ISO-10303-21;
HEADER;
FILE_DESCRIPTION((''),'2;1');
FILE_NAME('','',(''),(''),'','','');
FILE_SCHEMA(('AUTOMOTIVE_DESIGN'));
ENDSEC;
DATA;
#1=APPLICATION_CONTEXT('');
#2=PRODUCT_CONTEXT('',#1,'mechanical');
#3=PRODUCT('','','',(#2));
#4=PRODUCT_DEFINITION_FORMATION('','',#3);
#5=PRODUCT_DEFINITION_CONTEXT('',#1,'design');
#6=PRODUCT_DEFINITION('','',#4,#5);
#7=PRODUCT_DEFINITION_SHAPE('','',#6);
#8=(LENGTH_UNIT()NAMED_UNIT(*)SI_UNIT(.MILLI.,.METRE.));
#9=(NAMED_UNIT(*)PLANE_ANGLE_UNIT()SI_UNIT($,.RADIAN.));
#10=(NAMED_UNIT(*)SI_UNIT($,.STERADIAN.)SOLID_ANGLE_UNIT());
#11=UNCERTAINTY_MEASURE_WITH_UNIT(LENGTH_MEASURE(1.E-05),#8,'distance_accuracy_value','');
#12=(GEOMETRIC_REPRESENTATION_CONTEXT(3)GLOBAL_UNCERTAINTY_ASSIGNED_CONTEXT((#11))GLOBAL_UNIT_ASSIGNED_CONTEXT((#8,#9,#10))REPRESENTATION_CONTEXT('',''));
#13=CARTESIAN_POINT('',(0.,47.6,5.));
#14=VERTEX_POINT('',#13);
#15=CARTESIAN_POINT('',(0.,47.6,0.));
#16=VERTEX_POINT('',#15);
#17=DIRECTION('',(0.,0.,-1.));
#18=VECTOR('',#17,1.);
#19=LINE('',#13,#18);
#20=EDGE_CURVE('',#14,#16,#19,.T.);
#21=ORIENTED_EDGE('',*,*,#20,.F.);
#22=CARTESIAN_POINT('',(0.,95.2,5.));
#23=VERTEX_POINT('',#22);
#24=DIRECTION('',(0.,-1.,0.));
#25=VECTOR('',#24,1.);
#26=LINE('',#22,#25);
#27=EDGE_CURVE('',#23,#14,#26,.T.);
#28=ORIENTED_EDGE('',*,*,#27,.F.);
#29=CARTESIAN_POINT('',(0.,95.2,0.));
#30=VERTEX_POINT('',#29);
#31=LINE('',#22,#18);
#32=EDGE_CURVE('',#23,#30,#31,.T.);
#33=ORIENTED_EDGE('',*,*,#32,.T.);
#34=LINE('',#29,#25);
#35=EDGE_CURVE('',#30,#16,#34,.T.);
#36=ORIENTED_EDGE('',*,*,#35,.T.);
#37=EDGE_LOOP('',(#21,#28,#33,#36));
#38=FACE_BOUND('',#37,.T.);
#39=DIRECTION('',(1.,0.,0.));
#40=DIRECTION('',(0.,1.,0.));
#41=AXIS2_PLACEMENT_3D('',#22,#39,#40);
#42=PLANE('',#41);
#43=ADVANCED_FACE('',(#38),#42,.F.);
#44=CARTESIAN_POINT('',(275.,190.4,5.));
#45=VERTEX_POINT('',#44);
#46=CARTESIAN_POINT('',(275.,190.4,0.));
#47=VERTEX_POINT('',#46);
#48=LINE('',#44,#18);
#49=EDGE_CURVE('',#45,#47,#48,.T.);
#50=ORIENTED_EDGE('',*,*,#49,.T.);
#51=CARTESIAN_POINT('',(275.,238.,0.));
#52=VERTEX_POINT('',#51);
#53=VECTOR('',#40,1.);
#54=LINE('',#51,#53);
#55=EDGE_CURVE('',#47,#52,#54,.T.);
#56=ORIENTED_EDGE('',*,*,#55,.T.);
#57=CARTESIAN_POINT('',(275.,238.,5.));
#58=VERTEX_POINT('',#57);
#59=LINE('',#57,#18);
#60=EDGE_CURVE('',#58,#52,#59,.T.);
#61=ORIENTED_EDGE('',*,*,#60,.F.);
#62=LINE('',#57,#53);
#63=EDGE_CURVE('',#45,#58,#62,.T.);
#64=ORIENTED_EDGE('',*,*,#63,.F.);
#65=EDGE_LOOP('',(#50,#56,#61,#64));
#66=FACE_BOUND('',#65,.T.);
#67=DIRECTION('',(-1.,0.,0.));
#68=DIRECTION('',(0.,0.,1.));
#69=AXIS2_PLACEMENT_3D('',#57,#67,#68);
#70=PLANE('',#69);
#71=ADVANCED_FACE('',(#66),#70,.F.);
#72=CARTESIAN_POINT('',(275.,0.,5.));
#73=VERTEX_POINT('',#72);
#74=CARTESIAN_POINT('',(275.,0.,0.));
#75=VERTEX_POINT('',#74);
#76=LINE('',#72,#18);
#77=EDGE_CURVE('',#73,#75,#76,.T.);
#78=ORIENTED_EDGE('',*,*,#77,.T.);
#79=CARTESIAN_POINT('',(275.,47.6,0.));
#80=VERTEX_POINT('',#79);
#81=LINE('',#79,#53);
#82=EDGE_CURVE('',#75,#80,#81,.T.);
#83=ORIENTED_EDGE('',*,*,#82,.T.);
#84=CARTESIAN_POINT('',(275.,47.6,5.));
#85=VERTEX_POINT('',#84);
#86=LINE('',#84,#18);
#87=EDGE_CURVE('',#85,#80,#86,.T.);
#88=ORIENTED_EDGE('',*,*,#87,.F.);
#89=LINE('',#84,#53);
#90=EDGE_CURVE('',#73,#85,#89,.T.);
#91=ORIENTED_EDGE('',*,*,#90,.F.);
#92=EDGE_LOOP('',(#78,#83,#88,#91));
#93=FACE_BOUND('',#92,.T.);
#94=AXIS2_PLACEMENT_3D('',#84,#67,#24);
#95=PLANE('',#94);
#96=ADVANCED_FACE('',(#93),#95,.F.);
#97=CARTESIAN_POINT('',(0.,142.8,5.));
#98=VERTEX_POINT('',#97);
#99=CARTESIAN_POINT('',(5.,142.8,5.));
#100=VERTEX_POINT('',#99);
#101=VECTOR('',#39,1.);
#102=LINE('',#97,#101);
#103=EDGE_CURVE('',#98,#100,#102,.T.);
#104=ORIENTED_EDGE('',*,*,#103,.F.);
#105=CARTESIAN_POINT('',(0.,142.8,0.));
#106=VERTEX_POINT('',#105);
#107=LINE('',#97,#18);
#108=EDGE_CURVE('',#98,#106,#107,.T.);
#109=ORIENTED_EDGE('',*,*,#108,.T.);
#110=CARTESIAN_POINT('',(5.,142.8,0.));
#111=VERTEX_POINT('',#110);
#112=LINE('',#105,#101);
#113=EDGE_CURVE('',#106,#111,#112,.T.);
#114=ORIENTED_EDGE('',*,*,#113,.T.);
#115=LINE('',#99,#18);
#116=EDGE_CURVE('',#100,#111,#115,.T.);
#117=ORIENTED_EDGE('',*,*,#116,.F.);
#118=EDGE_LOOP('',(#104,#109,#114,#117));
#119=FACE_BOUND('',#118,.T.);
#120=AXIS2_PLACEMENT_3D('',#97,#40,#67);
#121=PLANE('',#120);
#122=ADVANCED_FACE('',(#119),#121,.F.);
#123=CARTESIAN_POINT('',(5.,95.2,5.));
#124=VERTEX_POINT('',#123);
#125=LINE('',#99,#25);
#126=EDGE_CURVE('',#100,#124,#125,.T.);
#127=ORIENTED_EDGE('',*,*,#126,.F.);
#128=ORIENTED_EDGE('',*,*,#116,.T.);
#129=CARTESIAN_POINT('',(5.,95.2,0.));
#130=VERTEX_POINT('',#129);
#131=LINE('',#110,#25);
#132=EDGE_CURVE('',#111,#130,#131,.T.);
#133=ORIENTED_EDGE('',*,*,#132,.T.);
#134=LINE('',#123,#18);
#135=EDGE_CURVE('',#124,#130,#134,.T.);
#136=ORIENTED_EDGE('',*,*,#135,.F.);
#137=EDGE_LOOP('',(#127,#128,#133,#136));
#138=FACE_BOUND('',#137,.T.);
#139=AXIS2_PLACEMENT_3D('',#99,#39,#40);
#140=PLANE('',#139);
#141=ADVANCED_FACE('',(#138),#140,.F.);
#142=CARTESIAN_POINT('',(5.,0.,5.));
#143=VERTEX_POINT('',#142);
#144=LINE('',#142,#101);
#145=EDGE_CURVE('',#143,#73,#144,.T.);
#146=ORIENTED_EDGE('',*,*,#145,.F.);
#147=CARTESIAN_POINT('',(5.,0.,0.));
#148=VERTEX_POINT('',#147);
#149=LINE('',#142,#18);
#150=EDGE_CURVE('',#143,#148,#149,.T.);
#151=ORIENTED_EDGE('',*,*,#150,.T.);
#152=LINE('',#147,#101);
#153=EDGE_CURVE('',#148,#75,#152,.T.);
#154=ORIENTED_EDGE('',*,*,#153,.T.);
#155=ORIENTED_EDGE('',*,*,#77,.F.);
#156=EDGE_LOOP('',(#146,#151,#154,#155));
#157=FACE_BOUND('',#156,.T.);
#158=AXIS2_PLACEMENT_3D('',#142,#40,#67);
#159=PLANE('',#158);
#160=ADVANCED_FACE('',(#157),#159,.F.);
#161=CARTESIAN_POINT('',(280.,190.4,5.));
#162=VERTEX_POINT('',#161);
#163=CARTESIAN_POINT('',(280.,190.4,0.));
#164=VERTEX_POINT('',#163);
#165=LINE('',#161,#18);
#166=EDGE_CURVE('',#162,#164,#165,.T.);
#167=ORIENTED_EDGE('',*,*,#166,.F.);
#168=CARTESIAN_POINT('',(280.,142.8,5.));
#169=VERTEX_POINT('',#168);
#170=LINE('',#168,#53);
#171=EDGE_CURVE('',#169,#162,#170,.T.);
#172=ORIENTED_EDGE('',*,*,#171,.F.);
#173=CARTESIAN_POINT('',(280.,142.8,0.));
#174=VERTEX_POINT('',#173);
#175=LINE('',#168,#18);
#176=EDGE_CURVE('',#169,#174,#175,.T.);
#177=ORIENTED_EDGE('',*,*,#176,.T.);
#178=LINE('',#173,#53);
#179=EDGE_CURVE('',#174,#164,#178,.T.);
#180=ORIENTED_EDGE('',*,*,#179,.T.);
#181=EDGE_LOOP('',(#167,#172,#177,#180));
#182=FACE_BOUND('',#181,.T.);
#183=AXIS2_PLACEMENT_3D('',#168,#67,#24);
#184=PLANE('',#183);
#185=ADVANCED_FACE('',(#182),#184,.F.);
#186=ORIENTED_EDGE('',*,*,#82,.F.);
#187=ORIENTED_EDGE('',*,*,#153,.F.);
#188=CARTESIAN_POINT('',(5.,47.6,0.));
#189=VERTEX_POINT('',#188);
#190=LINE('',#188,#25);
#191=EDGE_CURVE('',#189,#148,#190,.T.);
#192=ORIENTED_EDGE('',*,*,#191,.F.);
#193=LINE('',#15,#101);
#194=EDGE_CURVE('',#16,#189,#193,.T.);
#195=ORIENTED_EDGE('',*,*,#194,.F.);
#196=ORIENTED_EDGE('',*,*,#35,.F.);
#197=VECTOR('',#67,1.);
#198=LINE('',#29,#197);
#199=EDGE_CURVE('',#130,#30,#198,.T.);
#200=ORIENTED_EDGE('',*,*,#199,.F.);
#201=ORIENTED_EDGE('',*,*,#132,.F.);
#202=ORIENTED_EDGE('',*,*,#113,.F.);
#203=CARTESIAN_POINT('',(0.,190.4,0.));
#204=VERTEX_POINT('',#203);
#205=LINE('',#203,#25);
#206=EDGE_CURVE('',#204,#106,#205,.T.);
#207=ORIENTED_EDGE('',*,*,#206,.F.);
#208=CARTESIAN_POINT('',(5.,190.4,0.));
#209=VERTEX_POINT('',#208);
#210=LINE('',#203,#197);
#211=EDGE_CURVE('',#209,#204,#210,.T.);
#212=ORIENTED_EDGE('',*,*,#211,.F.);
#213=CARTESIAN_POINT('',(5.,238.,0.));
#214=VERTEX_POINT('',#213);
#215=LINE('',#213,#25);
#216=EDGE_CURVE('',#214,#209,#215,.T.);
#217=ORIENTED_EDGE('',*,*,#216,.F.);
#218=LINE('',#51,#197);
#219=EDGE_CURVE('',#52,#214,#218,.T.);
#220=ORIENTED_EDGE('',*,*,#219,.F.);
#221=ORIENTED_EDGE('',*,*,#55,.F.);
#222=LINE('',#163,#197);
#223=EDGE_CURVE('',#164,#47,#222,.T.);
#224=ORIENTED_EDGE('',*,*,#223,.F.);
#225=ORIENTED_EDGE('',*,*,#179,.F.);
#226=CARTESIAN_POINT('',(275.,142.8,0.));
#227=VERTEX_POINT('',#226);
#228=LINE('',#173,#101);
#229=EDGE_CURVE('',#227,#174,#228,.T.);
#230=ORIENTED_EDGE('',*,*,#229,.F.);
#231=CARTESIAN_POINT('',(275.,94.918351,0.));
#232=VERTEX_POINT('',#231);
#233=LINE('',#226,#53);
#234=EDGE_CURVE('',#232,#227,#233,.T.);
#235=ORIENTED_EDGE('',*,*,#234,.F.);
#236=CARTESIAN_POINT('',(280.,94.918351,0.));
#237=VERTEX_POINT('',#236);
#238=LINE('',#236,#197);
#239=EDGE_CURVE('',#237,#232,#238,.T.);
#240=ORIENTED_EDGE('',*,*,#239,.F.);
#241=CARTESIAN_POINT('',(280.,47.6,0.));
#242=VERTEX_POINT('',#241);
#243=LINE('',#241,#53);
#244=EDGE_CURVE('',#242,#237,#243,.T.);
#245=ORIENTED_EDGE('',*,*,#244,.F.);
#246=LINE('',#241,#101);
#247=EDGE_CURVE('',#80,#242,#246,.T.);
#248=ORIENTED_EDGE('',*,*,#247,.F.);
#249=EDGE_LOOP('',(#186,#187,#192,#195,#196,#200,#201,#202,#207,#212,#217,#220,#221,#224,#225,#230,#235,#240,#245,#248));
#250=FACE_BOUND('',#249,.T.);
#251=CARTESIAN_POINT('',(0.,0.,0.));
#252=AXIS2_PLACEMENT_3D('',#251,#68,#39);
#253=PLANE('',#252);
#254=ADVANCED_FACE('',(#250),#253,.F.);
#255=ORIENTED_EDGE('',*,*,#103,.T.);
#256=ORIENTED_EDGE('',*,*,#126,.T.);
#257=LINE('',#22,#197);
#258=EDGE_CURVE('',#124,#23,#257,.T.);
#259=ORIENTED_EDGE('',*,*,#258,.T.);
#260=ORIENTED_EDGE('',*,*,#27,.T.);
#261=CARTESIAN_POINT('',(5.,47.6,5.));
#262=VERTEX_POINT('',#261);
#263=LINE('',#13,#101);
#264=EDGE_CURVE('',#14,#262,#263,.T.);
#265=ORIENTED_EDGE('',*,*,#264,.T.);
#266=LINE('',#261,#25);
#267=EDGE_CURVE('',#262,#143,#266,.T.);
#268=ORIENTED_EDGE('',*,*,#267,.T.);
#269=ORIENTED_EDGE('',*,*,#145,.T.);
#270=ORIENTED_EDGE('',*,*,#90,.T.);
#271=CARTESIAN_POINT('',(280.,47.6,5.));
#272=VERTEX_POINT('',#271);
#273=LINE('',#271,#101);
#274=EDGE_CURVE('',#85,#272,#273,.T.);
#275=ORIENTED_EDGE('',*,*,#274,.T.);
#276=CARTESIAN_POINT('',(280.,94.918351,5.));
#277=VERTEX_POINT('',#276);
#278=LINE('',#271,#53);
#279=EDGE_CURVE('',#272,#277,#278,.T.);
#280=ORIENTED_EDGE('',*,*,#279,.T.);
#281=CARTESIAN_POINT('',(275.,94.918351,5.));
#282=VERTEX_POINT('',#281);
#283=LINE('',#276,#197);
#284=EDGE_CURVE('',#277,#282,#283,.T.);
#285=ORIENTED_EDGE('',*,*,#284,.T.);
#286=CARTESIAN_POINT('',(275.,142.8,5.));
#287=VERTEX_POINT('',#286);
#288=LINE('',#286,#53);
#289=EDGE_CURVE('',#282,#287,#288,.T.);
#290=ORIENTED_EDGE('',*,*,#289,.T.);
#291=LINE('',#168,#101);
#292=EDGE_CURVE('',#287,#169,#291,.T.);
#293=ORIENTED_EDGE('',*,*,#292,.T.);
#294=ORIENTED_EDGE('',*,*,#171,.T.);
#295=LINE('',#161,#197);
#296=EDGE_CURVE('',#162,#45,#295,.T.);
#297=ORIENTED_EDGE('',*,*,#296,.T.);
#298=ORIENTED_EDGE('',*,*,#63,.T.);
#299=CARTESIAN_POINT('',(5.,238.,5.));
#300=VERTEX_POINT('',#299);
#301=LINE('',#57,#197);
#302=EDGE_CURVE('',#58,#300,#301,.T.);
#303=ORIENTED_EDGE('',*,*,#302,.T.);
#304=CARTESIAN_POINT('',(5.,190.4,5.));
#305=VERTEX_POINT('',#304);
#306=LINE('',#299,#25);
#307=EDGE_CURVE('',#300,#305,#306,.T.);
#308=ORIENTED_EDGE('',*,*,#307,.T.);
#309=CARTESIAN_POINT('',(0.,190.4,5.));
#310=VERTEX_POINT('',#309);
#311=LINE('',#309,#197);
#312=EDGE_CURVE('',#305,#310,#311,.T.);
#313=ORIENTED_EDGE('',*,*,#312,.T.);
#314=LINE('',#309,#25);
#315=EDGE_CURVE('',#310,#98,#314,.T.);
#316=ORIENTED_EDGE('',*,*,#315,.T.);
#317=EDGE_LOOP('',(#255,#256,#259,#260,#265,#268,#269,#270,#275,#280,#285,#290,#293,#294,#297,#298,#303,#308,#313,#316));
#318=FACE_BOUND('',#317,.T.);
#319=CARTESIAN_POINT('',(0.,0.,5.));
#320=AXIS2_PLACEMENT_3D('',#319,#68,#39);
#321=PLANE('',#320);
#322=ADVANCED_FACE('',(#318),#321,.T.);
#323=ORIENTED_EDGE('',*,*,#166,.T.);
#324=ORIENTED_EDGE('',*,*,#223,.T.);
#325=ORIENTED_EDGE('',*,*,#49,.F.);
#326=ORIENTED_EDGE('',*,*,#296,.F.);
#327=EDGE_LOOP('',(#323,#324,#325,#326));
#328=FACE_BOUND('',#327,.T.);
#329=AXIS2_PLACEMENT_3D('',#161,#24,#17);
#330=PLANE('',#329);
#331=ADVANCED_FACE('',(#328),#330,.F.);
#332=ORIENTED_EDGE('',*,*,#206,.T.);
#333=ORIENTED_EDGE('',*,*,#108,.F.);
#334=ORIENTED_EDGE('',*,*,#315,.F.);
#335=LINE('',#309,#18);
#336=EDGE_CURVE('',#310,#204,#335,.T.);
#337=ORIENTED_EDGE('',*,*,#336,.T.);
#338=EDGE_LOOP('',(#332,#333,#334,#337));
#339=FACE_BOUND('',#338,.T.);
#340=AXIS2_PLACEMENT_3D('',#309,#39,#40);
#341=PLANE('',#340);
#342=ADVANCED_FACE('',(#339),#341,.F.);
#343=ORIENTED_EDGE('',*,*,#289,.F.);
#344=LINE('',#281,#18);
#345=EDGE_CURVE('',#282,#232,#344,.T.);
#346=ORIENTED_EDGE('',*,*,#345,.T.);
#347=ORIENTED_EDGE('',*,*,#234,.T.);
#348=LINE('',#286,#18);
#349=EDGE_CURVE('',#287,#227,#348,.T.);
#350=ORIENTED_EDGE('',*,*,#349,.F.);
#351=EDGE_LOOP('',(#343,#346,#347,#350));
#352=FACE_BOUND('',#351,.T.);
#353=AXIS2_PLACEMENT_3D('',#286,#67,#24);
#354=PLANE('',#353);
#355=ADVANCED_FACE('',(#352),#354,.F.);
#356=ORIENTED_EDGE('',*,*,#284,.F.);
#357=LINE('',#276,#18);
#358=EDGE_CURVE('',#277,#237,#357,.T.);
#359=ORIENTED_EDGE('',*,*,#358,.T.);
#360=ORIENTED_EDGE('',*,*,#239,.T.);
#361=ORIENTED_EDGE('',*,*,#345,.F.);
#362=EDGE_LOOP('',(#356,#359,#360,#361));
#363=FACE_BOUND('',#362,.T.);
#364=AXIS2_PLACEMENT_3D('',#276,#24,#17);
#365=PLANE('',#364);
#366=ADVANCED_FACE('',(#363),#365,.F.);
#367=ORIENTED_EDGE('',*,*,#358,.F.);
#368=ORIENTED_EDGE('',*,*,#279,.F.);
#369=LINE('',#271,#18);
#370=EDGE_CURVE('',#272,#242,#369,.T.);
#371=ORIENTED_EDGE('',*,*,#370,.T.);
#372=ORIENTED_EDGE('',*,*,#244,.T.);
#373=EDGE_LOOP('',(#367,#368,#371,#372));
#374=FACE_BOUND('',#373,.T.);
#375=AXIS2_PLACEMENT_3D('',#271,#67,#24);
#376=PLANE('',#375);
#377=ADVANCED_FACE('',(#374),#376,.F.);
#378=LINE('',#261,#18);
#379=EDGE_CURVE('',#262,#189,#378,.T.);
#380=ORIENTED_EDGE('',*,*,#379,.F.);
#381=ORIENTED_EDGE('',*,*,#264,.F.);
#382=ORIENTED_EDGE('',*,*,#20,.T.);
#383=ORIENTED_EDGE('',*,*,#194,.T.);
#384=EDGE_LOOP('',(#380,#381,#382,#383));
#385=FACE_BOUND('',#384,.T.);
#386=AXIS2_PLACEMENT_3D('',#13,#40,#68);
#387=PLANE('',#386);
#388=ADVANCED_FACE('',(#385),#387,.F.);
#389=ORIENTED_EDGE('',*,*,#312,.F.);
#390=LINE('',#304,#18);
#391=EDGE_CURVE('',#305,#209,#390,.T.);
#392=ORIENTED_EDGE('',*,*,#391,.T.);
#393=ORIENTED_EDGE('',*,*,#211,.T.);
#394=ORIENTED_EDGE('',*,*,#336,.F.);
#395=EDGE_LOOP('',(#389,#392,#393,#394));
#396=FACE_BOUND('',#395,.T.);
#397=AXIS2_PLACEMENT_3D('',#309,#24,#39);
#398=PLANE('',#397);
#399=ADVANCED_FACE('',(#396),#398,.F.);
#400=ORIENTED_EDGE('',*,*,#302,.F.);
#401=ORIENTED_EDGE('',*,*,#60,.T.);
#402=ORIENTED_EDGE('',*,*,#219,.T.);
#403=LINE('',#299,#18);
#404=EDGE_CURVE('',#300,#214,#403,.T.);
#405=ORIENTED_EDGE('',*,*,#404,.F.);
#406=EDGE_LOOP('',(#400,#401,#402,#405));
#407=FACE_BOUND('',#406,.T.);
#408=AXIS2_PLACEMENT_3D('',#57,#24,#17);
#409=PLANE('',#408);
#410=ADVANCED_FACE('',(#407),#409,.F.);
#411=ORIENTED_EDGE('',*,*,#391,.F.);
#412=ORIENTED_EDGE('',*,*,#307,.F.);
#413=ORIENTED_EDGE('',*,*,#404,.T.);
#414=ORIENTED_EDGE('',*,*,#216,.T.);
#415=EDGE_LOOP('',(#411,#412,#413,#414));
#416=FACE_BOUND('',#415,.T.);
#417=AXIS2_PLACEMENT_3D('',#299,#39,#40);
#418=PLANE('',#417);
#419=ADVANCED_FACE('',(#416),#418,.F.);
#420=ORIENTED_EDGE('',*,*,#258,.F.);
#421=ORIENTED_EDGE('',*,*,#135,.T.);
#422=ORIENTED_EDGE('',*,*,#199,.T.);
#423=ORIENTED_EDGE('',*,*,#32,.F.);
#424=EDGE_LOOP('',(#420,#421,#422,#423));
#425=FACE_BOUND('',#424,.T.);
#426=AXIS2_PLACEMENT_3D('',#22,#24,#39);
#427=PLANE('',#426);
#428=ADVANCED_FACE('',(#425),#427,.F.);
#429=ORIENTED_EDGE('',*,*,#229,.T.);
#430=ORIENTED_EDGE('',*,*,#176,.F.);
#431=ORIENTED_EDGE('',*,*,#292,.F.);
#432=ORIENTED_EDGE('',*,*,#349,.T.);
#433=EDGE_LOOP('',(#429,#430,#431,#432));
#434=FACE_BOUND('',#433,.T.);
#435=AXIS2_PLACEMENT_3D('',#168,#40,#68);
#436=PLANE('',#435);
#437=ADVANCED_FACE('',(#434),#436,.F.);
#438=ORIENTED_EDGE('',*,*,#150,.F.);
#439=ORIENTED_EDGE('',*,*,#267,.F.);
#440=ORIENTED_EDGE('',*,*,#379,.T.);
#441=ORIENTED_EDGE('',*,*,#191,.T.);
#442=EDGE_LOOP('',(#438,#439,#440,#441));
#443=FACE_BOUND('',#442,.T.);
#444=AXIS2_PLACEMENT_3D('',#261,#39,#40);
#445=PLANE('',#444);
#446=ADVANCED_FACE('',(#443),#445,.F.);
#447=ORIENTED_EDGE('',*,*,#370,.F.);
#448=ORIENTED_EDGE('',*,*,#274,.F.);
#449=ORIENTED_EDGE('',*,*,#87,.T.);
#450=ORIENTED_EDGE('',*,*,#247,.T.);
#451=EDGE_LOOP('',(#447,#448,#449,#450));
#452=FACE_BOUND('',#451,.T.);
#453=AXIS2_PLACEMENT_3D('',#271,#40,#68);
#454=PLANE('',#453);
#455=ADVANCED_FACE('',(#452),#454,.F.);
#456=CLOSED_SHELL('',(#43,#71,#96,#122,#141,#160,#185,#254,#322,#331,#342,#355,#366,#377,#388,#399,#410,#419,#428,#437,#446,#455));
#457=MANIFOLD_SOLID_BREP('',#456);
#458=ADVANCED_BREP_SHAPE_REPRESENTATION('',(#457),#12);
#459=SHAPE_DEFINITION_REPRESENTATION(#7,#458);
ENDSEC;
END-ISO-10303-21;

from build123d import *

# Parameters (mm, degrees)
BOSS_EXTRU_1_DEPTH = 5


with BuildPart() as part:
    # Esquisse1 → Boss.-Extru.1 (new body)
    with BuildSketch(Plane.XY):
        Polygon((275, 238), (5, 238), (5, 190.4), (0, 190.4), (0, 142.8), (5, 142.8), (5, 95.2), (0, 95.2), (0, 47.6), (5, 47.6), (5, 0), (275, 0), (275, 47.6), (280, 47.6), (280, 94.918350867), (275, 94.918350867), (275, 142.8), (280, 142.8), (280, 190.4), (275, 190.4), align=None)
    extrude(amount=BOSS_EXTRU_1_DEPTH)


solid = part.part
